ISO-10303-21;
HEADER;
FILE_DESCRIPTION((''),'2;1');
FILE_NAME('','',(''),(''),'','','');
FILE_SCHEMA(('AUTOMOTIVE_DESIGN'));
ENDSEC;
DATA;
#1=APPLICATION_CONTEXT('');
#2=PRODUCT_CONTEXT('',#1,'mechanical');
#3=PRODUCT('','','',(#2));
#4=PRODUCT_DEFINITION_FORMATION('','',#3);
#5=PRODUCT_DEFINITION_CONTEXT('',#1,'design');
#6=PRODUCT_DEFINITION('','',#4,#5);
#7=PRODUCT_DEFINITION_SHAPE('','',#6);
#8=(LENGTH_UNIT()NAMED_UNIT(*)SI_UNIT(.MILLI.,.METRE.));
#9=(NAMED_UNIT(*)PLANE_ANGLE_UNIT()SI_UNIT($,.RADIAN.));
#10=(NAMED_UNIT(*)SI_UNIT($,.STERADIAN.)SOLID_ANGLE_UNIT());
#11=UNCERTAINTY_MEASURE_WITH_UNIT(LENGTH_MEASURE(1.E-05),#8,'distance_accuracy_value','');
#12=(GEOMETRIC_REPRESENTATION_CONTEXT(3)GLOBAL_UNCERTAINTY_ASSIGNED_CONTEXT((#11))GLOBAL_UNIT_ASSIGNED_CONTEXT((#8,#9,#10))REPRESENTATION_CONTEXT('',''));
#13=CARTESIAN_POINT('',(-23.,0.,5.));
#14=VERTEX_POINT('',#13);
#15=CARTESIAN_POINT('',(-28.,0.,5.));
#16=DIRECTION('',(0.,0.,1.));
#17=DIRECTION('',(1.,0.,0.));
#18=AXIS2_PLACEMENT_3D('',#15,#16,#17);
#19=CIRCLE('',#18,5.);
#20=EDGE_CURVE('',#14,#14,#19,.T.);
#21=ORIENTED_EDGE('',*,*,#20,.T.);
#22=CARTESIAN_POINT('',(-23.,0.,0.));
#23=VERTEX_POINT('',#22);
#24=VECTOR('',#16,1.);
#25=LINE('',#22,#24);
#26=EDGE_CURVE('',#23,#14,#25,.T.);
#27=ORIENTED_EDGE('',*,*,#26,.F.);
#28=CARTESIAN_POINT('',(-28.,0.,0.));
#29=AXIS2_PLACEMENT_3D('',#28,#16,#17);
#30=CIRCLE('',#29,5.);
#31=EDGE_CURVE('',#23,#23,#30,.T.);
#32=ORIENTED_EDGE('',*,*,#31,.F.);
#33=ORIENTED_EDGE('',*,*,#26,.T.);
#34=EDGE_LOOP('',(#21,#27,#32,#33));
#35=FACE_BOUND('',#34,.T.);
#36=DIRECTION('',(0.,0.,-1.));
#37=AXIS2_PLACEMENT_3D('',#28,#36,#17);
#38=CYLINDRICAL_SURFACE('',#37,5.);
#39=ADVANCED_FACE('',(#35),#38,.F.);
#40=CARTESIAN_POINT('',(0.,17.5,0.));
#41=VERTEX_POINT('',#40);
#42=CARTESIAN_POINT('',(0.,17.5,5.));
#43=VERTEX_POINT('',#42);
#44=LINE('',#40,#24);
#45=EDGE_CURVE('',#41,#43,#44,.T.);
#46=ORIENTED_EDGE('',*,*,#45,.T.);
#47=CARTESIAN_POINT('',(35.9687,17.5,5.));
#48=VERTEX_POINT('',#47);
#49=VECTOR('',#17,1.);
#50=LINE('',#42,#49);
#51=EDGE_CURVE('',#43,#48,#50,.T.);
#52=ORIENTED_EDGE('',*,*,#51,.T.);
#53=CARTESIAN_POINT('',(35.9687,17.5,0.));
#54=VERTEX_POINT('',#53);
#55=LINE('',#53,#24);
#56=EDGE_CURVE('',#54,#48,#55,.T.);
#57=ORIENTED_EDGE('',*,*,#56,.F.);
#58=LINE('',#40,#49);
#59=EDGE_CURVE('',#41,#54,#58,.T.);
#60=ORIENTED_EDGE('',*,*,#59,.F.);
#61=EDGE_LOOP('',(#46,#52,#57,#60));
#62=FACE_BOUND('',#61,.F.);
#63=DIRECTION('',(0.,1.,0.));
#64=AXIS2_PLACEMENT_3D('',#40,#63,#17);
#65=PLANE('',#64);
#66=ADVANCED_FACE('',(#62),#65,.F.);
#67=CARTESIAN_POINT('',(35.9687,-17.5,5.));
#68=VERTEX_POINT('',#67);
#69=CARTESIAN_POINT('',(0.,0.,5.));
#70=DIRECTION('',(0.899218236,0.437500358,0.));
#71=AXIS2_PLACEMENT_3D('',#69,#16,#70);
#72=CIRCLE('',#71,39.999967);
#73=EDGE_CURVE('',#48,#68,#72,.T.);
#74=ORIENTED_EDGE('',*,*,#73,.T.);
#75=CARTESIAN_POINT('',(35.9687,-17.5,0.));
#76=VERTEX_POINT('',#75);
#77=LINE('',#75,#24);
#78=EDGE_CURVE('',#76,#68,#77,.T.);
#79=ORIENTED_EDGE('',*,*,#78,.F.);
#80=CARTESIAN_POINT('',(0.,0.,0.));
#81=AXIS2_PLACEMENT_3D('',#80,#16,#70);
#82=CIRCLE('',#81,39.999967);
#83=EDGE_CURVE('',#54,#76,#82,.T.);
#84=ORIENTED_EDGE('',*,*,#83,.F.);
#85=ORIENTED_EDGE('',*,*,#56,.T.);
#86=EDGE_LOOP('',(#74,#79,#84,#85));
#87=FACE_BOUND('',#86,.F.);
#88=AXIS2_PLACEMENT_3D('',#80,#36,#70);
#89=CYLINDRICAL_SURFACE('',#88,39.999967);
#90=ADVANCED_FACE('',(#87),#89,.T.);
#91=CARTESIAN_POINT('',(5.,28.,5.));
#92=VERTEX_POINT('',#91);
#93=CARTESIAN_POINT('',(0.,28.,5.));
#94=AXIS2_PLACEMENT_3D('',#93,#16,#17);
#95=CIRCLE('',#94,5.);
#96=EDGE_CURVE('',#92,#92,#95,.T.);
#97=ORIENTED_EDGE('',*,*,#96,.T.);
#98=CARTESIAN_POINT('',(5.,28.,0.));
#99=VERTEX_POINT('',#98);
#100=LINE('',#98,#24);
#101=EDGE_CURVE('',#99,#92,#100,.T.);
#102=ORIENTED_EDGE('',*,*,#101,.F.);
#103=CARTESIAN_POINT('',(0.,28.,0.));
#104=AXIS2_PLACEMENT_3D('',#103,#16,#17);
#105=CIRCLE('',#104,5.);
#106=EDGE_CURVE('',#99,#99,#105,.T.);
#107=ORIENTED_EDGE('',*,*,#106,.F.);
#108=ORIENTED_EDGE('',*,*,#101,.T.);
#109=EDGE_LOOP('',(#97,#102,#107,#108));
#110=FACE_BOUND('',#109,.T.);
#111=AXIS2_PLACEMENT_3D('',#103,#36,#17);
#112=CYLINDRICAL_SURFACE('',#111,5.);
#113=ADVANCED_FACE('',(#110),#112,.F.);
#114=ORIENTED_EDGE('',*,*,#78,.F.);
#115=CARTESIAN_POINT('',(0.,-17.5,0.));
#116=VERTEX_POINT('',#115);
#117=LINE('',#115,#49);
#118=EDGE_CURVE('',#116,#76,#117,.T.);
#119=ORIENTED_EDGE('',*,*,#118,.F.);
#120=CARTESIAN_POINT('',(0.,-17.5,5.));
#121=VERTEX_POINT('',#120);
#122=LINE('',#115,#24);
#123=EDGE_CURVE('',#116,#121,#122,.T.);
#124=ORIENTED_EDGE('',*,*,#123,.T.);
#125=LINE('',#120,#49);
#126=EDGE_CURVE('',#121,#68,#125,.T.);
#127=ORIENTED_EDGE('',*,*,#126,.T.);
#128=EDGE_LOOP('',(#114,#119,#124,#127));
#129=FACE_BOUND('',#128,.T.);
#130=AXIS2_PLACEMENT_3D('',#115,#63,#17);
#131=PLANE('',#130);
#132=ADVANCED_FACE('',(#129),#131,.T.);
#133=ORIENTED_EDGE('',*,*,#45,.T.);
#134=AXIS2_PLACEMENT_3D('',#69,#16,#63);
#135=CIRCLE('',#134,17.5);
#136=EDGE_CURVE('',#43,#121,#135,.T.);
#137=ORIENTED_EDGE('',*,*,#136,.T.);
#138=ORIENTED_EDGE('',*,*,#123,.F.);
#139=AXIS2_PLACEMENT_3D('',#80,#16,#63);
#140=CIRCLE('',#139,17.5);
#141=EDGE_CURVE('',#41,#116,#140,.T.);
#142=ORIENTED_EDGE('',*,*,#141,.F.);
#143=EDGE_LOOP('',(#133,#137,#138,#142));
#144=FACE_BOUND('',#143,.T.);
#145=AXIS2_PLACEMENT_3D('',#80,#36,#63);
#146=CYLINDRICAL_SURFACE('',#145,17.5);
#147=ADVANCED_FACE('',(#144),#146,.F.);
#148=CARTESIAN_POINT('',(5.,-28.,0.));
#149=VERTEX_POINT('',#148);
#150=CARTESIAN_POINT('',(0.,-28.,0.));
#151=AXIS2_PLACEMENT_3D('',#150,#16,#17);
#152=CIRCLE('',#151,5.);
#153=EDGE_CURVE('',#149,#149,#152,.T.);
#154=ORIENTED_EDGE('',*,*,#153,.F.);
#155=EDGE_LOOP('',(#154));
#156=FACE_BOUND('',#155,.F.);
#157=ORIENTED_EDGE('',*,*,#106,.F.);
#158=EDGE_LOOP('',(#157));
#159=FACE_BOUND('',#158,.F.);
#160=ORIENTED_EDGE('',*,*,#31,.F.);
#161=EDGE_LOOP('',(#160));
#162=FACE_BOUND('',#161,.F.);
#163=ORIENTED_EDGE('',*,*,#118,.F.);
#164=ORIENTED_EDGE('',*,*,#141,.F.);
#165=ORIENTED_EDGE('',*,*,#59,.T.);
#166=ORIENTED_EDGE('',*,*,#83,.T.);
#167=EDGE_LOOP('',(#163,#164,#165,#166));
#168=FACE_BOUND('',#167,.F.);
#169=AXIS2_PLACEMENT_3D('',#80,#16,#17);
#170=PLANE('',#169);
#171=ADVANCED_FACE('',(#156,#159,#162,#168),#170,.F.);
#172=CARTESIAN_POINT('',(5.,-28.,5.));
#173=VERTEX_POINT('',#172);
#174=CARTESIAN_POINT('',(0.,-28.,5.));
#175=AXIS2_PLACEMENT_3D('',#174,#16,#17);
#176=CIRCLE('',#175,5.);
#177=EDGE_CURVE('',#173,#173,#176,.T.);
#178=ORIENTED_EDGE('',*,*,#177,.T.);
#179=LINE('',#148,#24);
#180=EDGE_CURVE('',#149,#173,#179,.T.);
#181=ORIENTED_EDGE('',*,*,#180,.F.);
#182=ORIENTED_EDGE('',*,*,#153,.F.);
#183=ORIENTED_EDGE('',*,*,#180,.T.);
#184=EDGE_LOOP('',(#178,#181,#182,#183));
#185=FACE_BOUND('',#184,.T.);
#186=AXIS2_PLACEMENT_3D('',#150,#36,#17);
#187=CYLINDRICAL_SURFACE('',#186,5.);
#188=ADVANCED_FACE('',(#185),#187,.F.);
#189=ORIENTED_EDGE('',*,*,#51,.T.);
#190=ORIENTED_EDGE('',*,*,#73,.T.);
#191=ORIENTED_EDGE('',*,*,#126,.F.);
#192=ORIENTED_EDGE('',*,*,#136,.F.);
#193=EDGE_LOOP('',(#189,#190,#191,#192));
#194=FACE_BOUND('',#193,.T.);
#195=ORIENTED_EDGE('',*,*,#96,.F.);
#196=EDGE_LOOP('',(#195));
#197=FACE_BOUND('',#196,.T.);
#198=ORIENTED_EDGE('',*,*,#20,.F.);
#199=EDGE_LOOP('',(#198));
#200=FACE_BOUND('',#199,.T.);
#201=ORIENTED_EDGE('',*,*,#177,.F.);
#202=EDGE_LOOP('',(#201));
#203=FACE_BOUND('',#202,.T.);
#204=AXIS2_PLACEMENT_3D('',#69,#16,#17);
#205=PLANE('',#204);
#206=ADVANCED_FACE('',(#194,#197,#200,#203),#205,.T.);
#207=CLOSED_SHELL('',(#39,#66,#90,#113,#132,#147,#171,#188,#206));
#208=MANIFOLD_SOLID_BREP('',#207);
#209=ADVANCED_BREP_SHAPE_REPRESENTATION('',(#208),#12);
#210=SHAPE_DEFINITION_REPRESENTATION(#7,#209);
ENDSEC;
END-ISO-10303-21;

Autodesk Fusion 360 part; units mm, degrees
sketch "Sketch1" plane through (0, 0, 0) normal (0, 0, 1) x (1, 0, 0)
  circle A0 centre (0, 28) radius 5
  circle A1 centre (-28, 0) radius 5
  circle A2 centre (0, -28) radius 5
  line L0 (0, 17.5) -> (35.9687, 17.5)
  line L1 (0, -17.5) -> (35.9687, -17.5)
  arc A3 (35.9687, 17.5) -> (35.9687, -17.5) centre (0, 0) ccw
  arc A4 (0, 17.5) -> (0, -17.5) centre (0, 0) ccw
  dimension "d1" = 80
  dimension "d2" = 35
  dimension "d3" = 28
  dimension "d4" = 10
  dimension "d6" = 180
extrude "Extrude1" add sketch "Sketch1" along normal blind 5
